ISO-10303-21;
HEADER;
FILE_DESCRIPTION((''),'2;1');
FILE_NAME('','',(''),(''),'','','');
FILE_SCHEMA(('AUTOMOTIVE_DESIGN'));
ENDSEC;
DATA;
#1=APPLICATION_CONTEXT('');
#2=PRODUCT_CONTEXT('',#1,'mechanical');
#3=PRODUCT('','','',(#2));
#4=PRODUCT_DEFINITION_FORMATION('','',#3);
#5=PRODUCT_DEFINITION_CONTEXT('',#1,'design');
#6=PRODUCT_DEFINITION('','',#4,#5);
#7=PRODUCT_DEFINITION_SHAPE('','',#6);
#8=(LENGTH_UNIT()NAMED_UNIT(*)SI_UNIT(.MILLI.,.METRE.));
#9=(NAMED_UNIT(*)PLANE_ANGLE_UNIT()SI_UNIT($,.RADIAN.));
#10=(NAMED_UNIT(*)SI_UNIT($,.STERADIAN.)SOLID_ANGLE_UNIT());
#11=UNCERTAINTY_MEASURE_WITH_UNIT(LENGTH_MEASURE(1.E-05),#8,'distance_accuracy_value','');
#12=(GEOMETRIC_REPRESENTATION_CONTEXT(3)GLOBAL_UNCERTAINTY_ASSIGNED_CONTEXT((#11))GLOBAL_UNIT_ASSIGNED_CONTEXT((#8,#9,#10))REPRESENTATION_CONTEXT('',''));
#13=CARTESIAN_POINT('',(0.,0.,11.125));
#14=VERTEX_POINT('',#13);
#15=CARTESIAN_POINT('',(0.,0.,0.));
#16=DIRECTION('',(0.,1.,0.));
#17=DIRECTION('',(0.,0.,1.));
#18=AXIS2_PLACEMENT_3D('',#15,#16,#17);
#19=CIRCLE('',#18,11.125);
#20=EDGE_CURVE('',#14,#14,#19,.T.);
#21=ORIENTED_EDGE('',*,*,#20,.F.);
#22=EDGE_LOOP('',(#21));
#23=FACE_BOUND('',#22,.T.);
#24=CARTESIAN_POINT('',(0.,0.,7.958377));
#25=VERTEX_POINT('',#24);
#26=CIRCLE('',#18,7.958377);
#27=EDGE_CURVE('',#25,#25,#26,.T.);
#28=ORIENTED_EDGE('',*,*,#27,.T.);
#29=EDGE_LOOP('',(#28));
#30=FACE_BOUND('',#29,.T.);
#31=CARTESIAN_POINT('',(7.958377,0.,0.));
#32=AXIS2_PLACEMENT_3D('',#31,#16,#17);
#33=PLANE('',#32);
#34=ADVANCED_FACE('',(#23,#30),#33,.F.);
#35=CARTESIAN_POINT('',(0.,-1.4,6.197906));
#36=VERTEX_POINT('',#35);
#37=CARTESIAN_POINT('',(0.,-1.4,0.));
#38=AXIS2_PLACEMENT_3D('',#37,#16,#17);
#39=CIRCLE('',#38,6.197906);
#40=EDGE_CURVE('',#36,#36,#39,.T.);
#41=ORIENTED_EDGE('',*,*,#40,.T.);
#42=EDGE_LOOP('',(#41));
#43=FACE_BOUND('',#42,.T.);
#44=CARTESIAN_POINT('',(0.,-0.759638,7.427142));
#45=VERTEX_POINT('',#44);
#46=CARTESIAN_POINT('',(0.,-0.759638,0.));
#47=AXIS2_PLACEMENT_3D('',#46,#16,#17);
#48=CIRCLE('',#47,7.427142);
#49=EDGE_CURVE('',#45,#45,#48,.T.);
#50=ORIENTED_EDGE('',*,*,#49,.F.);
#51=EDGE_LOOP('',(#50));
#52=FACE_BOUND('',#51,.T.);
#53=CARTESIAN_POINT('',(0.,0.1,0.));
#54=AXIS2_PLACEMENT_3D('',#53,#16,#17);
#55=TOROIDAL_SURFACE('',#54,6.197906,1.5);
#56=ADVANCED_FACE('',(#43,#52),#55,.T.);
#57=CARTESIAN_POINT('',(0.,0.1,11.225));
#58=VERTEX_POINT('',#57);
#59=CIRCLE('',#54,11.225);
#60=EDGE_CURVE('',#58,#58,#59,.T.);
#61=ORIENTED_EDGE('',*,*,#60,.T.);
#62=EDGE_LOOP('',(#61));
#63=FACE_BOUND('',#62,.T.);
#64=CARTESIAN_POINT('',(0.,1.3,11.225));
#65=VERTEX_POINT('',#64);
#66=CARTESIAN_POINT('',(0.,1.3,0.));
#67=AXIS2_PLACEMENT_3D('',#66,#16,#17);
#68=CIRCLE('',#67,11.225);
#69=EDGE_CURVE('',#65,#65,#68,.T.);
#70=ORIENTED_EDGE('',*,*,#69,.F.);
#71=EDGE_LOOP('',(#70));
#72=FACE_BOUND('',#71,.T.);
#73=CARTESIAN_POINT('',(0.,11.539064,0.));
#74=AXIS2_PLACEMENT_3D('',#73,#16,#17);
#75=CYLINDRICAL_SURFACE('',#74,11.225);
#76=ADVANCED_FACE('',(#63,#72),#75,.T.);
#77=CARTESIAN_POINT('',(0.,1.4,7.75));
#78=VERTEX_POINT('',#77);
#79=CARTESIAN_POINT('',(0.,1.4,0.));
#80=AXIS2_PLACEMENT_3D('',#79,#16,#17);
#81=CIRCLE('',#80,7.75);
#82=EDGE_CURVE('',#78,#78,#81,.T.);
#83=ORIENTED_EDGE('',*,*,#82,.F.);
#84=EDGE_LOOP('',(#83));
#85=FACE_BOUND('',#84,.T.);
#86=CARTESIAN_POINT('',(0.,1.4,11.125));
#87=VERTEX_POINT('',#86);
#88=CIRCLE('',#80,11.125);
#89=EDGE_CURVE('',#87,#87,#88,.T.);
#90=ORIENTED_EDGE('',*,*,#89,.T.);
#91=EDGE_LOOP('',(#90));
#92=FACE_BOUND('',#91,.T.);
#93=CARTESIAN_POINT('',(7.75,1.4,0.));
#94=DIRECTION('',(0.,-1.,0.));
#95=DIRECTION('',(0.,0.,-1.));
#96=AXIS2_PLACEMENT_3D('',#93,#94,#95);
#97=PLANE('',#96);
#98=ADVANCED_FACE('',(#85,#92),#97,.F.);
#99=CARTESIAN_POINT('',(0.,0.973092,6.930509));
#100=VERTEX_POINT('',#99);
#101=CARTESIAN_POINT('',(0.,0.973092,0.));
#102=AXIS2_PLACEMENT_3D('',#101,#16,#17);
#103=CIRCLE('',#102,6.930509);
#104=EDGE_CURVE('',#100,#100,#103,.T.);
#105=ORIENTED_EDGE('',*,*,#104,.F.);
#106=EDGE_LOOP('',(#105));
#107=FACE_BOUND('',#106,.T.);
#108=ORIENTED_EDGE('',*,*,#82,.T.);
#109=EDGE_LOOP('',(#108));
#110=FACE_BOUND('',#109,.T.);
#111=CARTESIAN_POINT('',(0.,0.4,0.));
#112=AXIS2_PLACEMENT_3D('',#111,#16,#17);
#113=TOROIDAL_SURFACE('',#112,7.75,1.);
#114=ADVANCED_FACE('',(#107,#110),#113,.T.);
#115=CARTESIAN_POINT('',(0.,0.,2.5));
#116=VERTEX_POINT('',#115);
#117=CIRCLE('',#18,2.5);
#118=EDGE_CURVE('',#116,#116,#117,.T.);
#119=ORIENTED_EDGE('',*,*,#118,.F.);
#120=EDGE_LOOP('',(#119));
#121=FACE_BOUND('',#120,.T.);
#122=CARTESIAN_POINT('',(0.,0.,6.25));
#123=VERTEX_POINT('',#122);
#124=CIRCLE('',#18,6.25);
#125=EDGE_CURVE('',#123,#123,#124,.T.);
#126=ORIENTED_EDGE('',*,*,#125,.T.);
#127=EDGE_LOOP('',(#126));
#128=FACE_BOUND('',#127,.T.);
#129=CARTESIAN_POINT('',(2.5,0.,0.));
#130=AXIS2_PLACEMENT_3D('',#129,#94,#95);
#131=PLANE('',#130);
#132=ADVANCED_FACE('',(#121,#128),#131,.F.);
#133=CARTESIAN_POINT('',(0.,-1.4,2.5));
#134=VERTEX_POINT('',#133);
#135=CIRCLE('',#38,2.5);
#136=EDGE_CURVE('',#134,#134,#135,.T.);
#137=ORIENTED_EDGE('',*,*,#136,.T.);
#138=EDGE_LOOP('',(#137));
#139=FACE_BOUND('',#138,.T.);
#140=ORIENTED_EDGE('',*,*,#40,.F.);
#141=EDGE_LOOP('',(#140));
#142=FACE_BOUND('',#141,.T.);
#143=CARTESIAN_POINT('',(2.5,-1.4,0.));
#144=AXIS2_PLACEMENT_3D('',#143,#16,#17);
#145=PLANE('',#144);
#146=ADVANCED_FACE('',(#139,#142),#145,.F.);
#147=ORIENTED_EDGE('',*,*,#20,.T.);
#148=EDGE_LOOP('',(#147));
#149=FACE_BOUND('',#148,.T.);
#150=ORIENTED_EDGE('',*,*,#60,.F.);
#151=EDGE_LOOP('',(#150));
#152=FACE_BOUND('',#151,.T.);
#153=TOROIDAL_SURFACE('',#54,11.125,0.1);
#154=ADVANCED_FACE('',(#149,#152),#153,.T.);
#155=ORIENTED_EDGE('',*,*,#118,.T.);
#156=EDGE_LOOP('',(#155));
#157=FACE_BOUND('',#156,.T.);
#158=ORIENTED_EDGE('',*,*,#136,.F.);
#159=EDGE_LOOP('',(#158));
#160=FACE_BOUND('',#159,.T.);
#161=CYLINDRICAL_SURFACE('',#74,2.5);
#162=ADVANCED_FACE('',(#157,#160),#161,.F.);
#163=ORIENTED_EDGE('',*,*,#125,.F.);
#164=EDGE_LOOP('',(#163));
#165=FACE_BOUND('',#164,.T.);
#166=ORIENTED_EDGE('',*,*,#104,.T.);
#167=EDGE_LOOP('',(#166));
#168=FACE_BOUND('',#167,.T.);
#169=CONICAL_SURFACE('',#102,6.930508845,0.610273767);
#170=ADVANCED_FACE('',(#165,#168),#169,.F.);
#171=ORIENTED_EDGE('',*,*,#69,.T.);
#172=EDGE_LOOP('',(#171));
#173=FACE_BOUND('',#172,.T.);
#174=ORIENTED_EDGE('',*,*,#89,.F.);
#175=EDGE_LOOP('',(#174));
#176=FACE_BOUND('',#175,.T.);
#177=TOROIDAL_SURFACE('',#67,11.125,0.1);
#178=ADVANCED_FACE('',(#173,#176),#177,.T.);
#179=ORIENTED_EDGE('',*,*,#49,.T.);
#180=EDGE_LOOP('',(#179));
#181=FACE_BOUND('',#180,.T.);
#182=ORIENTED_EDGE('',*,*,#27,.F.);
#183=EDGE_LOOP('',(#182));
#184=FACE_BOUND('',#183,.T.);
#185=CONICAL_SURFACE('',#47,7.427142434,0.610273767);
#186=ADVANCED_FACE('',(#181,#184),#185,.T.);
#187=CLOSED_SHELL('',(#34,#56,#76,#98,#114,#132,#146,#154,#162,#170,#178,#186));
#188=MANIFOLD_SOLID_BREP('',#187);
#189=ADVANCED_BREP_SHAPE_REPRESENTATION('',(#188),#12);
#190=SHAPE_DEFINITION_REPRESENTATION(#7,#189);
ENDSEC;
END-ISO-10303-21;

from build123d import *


with BuildPart() as part:
    # Sketch1 → Revolve1 (revolve)
    with BuildSketch(Plane.XY, mode=Mode.PRIVATE) as revolve1_sk:
        with BuildLine():
            Line((2.5, 0), (6.25, 0))
            Line((6.25, 0), (6.930508845, 0.973091831))
            ThreePointArc((6.930508845, 0.973091831), (7.287989086, 1.286874239), (7.75, 1.4))
            Line((7.75, 1.4), (11.125, 1.4))
            ThreePointArc((11.125, 1.4), (11.195710678, 1.370710678), (11.225, 1.3))
            Line((11.225, 1.3), (11.225, 0.1))
            ThreePointArc((11.225, 0.1), (11.195710678, 0.029289322), (11.125, 0))
            Line((11.125, 0), (7.958377194, 0))
            Line((7.958377194, 0), (7.427142434, -0.759637747))
            ThreePointArc((7.427142434, -0.759637747), (6.890922072, -1.230311358), (6.197905701, -1.4))
            Line((6.197905701, -1.4), (2.5, -1.4))
            Line((2.5, -1.4), (2.5, 0))
        make_face()
    revolve(revolve1_sk.sketch.rotate(Axis((0, 11.539064392, 0), (0, -1, 0)), 90), axis=Axis((0, 11.539064392, 0), (0, -1, 0)))


solid = part.part
